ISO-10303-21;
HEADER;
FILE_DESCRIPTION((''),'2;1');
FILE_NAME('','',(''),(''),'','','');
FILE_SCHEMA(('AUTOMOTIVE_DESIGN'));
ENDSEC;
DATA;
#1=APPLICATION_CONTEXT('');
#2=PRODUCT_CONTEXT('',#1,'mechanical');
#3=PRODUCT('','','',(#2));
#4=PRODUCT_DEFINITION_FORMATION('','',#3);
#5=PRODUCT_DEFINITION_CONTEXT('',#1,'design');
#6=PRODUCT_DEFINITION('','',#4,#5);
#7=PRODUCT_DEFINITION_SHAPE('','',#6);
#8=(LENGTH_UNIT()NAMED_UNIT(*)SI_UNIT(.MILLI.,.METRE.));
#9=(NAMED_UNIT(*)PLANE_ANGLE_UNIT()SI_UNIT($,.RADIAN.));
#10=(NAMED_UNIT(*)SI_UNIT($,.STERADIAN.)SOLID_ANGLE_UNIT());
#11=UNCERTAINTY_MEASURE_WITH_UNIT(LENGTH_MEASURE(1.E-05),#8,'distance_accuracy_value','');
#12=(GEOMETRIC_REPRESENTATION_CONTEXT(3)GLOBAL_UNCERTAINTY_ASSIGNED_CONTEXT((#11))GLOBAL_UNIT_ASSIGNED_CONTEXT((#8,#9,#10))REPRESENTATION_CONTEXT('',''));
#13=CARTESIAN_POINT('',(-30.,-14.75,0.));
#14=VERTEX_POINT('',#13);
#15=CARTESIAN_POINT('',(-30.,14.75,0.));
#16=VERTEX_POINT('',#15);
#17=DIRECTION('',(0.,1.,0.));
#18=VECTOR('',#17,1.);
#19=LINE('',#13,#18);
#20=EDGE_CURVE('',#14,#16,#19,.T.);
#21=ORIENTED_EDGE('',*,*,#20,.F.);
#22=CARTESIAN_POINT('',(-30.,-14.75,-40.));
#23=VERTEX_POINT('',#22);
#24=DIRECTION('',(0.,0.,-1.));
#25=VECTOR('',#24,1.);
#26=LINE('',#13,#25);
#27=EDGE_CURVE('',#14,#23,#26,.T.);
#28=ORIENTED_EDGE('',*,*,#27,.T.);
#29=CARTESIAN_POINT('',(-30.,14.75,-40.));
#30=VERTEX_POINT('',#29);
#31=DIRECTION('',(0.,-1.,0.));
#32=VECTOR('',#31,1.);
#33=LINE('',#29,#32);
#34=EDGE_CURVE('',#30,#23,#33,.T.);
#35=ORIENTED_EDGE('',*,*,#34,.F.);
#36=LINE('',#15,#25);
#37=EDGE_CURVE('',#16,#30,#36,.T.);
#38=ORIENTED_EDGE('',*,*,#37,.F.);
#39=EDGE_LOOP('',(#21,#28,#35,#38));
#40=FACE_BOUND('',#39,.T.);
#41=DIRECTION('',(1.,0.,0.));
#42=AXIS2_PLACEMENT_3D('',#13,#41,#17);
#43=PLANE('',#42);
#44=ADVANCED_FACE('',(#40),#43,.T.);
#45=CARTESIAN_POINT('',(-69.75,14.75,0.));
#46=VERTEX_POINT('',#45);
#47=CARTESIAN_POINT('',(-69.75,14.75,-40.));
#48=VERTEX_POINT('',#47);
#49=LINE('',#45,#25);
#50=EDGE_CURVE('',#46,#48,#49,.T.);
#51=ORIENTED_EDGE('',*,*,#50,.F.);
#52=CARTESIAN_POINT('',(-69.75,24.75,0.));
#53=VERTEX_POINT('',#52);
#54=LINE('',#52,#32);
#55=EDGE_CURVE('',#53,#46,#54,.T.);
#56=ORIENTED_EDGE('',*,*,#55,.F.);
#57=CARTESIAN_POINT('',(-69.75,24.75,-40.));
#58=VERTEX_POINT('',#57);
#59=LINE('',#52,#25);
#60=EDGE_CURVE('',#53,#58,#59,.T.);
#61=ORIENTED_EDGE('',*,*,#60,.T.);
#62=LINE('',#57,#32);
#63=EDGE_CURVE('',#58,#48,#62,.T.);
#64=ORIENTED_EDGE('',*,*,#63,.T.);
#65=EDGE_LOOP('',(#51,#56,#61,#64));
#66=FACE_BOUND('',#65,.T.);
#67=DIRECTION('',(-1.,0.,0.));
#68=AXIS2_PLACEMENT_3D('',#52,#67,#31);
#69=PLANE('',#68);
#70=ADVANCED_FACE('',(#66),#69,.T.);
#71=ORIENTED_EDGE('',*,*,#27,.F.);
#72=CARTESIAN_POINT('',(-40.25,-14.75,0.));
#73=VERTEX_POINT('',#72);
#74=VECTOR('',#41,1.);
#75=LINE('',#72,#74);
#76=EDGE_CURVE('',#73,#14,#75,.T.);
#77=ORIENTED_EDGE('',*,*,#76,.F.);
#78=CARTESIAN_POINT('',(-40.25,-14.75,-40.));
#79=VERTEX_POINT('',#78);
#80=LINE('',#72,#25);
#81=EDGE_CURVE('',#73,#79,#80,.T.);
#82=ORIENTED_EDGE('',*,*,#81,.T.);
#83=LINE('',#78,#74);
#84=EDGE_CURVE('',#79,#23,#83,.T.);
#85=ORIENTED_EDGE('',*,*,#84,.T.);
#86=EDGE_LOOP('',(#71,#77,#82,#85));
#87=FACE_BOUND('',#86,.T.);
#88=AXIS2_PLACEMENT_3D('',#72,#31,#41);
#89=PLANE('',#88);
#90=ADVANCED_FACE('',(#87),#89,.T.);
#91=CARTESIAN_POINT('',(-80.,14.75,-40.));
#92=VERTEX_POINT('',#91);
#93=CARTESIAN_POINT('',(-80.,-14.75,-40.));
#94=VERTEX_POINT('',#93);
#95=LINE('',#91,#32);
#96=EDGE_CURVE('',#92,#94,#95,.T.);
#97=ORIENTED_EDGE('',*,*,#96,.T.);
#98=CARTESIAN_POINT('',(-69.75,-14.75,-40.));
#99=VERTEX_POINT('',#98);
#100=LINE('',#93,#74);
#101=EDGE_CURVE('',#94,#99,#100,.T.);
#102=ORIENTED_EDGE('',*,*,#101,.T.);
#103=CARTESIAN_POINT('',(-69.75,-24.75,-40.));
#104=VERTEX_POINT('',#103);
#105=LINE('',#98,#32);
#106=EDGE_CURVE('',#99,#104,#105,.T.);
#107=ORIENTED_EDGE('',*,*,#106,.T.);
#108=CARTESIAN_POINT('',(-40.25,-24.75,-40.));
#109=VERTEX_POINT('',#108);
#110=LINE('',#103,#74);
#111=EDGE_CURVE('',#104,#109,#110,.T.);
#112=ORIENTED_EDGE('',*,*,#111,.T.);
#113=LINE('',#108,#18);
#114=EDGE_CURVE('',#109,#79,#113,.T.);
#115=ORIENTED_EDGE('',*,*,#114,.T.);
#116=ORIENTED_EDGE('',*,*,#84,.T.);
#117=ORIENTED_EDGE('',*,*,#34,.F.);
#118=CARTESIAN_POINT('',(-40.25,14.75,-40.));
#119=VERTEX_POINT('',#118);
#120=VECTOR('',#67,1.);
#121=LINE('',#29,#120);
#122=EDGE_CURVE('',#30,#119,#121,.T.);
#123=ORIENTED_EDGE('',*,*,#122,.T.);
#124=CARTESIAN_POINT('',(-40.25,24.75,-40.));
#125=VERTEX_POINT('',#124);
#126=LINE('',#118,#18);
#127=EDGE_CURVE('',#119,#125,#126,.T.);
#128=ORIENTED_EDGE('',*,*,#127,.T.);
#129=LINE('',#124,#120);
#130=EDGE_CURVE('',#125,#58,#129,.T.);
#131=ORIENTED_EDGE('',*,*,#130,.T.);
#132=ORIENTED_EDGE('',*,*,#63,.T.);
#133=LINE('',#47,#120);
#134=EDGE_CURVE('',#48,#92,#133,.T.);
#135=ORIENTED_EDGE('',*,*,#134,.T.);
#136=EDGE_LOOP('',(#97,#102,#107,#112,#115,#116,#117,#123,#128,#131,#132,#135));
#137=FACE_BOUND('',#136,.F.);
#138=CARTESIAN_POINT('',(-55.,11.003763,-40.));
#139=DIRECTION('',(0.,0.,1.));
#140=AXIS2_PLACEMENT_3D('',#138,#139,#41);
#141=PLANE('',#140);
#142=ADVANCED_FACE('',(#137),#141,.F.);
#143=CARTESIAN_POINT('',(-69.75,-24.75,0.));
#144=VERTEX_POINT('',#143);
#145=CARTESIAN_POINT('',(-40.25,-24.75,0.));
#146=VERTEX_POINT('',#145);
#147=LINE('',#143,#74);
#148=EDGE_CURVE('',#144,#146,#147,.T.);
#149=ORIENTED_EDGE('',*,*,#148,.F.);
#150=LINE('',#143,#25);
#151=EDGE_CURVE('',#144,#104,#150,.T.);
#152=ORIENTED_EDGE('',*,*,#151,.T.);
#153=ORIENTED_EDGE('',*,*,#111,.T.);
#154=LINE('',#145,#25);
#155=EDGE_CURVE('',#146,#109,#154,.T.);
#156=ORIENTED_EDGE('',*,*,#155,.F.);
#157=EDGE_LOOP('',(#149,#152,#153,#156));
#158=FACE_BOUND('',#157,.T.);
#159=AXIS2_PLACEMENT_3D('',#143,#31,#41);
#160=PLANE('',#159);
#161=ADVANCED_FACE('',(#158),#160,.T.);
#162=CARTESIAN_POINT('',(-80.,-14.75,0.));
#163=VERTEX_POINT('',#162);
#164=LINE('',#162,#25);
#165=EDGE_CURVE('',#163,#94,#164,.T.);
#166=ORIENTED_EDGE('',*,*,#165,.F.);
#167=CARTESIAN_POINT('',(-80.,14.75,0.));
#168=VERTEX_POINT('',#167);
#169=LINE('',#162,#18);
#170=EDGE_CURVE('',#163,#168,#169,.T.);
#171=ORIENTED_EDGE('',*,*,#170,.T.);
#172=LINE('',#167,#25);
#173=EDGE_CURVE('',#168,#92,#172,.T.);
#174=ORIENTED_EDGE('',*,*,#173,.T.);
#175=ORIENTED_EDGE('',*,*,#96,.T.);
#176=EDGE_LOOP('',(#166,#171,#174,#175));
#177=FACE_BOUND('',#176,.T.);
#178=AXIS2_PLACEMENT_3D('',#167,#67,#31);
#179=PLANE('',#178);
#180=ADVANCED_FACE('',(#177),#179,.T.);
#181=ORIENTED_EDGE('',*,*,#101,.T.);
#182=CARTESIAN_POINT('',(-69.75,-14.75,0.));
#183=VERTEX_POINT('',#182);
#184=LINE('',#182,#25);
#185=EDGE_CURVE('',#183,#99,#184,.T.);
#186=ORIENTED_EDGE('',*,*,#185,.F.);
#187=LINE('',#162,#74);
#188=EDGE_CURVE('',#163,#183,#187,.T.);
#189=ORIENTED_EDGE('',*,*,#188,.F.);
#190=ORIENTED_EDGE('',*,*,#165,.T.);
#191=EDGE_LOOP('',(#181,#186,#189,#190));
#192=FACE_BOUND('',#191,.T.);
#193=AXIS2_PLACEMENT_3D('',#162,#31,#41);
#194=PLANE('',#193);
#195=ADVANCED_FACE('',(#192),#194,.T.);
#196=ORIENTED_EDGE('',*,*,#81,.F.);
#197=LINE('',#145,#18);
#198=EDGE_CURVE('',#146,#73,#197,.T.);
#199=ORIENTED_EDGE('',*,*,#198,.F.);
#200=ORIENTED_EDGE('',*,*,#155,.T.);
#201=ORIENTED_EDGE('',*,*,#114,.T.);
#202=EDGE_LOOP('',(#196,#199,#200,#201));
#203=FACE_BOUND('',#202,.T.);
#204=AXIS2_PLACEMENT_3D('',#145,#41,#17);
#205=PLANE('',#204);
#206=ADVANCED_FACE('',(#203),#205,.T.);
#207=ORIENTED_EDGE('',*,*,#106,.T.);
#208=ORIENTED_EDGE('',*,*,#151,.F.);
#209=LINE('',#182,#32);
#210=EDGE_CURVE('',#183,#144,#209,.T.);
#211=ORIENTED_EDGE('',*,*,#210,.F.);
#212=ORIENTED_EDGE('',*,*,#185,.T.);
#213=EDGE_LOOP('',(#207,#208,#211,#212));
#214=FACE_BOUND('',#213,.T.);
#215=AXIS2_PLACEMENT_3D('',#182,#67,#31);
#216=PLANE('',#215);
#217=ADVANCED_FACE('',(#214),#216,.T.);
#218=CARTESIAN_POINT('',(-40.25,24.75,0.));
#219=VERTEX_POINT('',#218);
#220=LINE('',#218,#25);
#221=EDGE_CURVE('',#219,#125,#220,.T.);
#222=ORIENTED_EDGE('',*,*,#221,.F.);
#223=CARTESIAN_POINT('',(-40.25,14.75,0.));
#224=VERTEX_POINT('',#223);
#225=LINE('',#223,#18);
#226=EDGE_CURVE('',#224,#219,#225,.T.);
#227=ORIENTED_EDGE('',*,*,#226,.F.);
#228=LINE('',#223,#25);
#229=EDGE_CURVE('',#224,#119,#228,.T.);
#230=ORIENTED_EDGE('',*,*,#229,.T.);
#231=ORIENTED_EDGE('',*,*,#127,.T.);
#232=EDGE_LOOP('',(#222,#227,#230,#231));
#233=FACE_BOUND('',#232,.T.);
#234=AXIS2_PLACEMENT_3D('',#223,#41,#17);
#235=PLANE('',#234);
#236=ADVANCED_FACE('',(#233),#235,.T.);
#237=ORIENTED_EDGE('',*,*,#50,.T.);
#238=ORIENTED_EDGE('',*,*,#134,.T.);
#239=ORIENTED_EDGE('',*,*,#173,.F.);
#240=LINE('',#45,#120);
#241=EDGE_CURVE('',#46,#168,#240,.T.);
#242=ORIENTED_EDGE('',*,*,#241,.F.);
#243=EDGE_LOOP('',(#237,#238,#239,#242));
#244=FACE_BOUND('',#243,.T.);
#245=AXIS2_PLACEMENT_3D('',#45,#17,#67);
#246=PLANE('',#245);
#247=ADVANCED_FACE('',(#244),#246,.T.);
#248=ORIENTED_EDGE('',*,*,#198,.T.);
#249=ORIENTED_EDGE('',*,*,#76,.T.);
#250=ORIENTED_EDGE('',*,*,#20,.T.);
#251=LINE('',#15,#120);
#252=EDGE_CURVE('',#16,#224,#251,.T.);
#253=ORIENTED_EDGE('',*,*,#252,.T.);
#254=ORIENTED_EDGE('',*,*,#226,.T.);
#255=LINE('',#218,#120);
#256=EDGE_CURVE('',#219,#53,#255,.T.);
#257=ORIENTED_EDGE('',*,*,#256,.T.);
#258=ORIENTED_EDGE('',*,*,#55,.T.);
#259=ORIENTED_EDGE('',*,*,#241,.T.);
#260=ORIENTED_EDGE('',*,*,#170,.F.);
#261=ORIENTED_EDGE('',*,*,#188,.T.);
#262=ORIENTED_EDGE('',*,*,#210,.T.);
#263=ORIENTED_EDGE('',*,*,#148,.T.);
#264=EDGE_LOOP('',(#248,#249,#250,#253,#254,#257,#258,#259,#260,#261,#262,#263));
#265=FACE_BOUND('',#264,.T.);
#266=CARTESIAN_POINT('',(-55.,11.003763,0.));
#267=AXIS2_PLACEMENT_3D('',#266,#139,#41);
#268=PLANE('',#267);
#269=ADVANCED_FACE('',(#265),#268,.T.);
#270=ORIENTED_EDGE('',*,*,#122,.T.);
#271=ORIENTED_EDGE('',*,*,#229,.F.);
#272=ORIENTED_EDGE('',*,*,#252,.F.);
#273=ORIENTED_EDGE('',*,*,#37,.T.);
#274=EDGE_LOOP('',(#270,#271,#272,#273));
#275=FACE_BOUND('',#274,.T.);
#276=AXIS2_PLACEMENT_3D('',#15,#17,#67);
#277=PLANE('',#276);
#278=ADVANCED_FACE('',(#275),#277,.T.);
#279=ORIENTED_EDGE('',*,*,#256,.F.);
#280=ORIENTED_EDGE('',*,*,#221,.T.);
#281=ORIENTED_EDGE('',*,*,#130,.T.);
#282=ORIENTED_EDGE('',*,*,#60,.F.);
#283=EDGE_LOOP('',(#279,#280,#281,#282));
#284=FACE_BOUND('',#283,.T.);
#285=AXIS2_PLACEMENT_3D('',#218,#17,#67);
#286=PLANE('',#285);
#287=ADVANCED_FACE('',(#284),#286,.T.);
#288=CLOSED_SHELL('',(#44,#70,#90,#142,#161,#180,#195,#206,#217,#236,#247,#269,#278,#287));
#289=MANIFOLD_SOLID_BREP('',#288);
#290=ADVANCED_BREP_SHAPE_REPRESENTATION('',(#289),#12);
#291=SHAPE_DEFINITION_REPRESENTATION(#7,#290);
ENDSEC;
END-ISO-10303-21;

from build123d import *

# Parameters (mm, degrees)
F5_DEPTH = 40
F6_DEPTH = 40


with BuildPart() as f5:
    # F4 (on Top) → F5 (new body)
    with BuildSketch(Plane.XY):
        Polygon((-30, 0), (-80, 0), (-80, -14.75), (-69.75, -14.75), (-69.75, -24.75), (-40.25, -24.75), (-40.25, -14.75), (-30, -14.75), align=None)
    extrude(amount=-F5_DEPTH)

    # F4 (on Top) → F6 (join)
    with BuildSketch(Plane.XY):
        Polygon((-69.75, 14.75), (-80, 14.75), (-80, 0), (-30, 0), (-30, 14.75), (-40.25, 14.75), (-40.25, 24.75), (-69.75, 24.75), align=None)
        Polygon((-30, 0), (-80, 0), (-80, -14.75), (-69.75, -14.75), (-69.75, -24.75), (-40.25, -24.75), (-40.25, -14.75), (-30, -14.75), align=None)
    extrude(amount=-F6_DEPTH)


solid = f5.part
